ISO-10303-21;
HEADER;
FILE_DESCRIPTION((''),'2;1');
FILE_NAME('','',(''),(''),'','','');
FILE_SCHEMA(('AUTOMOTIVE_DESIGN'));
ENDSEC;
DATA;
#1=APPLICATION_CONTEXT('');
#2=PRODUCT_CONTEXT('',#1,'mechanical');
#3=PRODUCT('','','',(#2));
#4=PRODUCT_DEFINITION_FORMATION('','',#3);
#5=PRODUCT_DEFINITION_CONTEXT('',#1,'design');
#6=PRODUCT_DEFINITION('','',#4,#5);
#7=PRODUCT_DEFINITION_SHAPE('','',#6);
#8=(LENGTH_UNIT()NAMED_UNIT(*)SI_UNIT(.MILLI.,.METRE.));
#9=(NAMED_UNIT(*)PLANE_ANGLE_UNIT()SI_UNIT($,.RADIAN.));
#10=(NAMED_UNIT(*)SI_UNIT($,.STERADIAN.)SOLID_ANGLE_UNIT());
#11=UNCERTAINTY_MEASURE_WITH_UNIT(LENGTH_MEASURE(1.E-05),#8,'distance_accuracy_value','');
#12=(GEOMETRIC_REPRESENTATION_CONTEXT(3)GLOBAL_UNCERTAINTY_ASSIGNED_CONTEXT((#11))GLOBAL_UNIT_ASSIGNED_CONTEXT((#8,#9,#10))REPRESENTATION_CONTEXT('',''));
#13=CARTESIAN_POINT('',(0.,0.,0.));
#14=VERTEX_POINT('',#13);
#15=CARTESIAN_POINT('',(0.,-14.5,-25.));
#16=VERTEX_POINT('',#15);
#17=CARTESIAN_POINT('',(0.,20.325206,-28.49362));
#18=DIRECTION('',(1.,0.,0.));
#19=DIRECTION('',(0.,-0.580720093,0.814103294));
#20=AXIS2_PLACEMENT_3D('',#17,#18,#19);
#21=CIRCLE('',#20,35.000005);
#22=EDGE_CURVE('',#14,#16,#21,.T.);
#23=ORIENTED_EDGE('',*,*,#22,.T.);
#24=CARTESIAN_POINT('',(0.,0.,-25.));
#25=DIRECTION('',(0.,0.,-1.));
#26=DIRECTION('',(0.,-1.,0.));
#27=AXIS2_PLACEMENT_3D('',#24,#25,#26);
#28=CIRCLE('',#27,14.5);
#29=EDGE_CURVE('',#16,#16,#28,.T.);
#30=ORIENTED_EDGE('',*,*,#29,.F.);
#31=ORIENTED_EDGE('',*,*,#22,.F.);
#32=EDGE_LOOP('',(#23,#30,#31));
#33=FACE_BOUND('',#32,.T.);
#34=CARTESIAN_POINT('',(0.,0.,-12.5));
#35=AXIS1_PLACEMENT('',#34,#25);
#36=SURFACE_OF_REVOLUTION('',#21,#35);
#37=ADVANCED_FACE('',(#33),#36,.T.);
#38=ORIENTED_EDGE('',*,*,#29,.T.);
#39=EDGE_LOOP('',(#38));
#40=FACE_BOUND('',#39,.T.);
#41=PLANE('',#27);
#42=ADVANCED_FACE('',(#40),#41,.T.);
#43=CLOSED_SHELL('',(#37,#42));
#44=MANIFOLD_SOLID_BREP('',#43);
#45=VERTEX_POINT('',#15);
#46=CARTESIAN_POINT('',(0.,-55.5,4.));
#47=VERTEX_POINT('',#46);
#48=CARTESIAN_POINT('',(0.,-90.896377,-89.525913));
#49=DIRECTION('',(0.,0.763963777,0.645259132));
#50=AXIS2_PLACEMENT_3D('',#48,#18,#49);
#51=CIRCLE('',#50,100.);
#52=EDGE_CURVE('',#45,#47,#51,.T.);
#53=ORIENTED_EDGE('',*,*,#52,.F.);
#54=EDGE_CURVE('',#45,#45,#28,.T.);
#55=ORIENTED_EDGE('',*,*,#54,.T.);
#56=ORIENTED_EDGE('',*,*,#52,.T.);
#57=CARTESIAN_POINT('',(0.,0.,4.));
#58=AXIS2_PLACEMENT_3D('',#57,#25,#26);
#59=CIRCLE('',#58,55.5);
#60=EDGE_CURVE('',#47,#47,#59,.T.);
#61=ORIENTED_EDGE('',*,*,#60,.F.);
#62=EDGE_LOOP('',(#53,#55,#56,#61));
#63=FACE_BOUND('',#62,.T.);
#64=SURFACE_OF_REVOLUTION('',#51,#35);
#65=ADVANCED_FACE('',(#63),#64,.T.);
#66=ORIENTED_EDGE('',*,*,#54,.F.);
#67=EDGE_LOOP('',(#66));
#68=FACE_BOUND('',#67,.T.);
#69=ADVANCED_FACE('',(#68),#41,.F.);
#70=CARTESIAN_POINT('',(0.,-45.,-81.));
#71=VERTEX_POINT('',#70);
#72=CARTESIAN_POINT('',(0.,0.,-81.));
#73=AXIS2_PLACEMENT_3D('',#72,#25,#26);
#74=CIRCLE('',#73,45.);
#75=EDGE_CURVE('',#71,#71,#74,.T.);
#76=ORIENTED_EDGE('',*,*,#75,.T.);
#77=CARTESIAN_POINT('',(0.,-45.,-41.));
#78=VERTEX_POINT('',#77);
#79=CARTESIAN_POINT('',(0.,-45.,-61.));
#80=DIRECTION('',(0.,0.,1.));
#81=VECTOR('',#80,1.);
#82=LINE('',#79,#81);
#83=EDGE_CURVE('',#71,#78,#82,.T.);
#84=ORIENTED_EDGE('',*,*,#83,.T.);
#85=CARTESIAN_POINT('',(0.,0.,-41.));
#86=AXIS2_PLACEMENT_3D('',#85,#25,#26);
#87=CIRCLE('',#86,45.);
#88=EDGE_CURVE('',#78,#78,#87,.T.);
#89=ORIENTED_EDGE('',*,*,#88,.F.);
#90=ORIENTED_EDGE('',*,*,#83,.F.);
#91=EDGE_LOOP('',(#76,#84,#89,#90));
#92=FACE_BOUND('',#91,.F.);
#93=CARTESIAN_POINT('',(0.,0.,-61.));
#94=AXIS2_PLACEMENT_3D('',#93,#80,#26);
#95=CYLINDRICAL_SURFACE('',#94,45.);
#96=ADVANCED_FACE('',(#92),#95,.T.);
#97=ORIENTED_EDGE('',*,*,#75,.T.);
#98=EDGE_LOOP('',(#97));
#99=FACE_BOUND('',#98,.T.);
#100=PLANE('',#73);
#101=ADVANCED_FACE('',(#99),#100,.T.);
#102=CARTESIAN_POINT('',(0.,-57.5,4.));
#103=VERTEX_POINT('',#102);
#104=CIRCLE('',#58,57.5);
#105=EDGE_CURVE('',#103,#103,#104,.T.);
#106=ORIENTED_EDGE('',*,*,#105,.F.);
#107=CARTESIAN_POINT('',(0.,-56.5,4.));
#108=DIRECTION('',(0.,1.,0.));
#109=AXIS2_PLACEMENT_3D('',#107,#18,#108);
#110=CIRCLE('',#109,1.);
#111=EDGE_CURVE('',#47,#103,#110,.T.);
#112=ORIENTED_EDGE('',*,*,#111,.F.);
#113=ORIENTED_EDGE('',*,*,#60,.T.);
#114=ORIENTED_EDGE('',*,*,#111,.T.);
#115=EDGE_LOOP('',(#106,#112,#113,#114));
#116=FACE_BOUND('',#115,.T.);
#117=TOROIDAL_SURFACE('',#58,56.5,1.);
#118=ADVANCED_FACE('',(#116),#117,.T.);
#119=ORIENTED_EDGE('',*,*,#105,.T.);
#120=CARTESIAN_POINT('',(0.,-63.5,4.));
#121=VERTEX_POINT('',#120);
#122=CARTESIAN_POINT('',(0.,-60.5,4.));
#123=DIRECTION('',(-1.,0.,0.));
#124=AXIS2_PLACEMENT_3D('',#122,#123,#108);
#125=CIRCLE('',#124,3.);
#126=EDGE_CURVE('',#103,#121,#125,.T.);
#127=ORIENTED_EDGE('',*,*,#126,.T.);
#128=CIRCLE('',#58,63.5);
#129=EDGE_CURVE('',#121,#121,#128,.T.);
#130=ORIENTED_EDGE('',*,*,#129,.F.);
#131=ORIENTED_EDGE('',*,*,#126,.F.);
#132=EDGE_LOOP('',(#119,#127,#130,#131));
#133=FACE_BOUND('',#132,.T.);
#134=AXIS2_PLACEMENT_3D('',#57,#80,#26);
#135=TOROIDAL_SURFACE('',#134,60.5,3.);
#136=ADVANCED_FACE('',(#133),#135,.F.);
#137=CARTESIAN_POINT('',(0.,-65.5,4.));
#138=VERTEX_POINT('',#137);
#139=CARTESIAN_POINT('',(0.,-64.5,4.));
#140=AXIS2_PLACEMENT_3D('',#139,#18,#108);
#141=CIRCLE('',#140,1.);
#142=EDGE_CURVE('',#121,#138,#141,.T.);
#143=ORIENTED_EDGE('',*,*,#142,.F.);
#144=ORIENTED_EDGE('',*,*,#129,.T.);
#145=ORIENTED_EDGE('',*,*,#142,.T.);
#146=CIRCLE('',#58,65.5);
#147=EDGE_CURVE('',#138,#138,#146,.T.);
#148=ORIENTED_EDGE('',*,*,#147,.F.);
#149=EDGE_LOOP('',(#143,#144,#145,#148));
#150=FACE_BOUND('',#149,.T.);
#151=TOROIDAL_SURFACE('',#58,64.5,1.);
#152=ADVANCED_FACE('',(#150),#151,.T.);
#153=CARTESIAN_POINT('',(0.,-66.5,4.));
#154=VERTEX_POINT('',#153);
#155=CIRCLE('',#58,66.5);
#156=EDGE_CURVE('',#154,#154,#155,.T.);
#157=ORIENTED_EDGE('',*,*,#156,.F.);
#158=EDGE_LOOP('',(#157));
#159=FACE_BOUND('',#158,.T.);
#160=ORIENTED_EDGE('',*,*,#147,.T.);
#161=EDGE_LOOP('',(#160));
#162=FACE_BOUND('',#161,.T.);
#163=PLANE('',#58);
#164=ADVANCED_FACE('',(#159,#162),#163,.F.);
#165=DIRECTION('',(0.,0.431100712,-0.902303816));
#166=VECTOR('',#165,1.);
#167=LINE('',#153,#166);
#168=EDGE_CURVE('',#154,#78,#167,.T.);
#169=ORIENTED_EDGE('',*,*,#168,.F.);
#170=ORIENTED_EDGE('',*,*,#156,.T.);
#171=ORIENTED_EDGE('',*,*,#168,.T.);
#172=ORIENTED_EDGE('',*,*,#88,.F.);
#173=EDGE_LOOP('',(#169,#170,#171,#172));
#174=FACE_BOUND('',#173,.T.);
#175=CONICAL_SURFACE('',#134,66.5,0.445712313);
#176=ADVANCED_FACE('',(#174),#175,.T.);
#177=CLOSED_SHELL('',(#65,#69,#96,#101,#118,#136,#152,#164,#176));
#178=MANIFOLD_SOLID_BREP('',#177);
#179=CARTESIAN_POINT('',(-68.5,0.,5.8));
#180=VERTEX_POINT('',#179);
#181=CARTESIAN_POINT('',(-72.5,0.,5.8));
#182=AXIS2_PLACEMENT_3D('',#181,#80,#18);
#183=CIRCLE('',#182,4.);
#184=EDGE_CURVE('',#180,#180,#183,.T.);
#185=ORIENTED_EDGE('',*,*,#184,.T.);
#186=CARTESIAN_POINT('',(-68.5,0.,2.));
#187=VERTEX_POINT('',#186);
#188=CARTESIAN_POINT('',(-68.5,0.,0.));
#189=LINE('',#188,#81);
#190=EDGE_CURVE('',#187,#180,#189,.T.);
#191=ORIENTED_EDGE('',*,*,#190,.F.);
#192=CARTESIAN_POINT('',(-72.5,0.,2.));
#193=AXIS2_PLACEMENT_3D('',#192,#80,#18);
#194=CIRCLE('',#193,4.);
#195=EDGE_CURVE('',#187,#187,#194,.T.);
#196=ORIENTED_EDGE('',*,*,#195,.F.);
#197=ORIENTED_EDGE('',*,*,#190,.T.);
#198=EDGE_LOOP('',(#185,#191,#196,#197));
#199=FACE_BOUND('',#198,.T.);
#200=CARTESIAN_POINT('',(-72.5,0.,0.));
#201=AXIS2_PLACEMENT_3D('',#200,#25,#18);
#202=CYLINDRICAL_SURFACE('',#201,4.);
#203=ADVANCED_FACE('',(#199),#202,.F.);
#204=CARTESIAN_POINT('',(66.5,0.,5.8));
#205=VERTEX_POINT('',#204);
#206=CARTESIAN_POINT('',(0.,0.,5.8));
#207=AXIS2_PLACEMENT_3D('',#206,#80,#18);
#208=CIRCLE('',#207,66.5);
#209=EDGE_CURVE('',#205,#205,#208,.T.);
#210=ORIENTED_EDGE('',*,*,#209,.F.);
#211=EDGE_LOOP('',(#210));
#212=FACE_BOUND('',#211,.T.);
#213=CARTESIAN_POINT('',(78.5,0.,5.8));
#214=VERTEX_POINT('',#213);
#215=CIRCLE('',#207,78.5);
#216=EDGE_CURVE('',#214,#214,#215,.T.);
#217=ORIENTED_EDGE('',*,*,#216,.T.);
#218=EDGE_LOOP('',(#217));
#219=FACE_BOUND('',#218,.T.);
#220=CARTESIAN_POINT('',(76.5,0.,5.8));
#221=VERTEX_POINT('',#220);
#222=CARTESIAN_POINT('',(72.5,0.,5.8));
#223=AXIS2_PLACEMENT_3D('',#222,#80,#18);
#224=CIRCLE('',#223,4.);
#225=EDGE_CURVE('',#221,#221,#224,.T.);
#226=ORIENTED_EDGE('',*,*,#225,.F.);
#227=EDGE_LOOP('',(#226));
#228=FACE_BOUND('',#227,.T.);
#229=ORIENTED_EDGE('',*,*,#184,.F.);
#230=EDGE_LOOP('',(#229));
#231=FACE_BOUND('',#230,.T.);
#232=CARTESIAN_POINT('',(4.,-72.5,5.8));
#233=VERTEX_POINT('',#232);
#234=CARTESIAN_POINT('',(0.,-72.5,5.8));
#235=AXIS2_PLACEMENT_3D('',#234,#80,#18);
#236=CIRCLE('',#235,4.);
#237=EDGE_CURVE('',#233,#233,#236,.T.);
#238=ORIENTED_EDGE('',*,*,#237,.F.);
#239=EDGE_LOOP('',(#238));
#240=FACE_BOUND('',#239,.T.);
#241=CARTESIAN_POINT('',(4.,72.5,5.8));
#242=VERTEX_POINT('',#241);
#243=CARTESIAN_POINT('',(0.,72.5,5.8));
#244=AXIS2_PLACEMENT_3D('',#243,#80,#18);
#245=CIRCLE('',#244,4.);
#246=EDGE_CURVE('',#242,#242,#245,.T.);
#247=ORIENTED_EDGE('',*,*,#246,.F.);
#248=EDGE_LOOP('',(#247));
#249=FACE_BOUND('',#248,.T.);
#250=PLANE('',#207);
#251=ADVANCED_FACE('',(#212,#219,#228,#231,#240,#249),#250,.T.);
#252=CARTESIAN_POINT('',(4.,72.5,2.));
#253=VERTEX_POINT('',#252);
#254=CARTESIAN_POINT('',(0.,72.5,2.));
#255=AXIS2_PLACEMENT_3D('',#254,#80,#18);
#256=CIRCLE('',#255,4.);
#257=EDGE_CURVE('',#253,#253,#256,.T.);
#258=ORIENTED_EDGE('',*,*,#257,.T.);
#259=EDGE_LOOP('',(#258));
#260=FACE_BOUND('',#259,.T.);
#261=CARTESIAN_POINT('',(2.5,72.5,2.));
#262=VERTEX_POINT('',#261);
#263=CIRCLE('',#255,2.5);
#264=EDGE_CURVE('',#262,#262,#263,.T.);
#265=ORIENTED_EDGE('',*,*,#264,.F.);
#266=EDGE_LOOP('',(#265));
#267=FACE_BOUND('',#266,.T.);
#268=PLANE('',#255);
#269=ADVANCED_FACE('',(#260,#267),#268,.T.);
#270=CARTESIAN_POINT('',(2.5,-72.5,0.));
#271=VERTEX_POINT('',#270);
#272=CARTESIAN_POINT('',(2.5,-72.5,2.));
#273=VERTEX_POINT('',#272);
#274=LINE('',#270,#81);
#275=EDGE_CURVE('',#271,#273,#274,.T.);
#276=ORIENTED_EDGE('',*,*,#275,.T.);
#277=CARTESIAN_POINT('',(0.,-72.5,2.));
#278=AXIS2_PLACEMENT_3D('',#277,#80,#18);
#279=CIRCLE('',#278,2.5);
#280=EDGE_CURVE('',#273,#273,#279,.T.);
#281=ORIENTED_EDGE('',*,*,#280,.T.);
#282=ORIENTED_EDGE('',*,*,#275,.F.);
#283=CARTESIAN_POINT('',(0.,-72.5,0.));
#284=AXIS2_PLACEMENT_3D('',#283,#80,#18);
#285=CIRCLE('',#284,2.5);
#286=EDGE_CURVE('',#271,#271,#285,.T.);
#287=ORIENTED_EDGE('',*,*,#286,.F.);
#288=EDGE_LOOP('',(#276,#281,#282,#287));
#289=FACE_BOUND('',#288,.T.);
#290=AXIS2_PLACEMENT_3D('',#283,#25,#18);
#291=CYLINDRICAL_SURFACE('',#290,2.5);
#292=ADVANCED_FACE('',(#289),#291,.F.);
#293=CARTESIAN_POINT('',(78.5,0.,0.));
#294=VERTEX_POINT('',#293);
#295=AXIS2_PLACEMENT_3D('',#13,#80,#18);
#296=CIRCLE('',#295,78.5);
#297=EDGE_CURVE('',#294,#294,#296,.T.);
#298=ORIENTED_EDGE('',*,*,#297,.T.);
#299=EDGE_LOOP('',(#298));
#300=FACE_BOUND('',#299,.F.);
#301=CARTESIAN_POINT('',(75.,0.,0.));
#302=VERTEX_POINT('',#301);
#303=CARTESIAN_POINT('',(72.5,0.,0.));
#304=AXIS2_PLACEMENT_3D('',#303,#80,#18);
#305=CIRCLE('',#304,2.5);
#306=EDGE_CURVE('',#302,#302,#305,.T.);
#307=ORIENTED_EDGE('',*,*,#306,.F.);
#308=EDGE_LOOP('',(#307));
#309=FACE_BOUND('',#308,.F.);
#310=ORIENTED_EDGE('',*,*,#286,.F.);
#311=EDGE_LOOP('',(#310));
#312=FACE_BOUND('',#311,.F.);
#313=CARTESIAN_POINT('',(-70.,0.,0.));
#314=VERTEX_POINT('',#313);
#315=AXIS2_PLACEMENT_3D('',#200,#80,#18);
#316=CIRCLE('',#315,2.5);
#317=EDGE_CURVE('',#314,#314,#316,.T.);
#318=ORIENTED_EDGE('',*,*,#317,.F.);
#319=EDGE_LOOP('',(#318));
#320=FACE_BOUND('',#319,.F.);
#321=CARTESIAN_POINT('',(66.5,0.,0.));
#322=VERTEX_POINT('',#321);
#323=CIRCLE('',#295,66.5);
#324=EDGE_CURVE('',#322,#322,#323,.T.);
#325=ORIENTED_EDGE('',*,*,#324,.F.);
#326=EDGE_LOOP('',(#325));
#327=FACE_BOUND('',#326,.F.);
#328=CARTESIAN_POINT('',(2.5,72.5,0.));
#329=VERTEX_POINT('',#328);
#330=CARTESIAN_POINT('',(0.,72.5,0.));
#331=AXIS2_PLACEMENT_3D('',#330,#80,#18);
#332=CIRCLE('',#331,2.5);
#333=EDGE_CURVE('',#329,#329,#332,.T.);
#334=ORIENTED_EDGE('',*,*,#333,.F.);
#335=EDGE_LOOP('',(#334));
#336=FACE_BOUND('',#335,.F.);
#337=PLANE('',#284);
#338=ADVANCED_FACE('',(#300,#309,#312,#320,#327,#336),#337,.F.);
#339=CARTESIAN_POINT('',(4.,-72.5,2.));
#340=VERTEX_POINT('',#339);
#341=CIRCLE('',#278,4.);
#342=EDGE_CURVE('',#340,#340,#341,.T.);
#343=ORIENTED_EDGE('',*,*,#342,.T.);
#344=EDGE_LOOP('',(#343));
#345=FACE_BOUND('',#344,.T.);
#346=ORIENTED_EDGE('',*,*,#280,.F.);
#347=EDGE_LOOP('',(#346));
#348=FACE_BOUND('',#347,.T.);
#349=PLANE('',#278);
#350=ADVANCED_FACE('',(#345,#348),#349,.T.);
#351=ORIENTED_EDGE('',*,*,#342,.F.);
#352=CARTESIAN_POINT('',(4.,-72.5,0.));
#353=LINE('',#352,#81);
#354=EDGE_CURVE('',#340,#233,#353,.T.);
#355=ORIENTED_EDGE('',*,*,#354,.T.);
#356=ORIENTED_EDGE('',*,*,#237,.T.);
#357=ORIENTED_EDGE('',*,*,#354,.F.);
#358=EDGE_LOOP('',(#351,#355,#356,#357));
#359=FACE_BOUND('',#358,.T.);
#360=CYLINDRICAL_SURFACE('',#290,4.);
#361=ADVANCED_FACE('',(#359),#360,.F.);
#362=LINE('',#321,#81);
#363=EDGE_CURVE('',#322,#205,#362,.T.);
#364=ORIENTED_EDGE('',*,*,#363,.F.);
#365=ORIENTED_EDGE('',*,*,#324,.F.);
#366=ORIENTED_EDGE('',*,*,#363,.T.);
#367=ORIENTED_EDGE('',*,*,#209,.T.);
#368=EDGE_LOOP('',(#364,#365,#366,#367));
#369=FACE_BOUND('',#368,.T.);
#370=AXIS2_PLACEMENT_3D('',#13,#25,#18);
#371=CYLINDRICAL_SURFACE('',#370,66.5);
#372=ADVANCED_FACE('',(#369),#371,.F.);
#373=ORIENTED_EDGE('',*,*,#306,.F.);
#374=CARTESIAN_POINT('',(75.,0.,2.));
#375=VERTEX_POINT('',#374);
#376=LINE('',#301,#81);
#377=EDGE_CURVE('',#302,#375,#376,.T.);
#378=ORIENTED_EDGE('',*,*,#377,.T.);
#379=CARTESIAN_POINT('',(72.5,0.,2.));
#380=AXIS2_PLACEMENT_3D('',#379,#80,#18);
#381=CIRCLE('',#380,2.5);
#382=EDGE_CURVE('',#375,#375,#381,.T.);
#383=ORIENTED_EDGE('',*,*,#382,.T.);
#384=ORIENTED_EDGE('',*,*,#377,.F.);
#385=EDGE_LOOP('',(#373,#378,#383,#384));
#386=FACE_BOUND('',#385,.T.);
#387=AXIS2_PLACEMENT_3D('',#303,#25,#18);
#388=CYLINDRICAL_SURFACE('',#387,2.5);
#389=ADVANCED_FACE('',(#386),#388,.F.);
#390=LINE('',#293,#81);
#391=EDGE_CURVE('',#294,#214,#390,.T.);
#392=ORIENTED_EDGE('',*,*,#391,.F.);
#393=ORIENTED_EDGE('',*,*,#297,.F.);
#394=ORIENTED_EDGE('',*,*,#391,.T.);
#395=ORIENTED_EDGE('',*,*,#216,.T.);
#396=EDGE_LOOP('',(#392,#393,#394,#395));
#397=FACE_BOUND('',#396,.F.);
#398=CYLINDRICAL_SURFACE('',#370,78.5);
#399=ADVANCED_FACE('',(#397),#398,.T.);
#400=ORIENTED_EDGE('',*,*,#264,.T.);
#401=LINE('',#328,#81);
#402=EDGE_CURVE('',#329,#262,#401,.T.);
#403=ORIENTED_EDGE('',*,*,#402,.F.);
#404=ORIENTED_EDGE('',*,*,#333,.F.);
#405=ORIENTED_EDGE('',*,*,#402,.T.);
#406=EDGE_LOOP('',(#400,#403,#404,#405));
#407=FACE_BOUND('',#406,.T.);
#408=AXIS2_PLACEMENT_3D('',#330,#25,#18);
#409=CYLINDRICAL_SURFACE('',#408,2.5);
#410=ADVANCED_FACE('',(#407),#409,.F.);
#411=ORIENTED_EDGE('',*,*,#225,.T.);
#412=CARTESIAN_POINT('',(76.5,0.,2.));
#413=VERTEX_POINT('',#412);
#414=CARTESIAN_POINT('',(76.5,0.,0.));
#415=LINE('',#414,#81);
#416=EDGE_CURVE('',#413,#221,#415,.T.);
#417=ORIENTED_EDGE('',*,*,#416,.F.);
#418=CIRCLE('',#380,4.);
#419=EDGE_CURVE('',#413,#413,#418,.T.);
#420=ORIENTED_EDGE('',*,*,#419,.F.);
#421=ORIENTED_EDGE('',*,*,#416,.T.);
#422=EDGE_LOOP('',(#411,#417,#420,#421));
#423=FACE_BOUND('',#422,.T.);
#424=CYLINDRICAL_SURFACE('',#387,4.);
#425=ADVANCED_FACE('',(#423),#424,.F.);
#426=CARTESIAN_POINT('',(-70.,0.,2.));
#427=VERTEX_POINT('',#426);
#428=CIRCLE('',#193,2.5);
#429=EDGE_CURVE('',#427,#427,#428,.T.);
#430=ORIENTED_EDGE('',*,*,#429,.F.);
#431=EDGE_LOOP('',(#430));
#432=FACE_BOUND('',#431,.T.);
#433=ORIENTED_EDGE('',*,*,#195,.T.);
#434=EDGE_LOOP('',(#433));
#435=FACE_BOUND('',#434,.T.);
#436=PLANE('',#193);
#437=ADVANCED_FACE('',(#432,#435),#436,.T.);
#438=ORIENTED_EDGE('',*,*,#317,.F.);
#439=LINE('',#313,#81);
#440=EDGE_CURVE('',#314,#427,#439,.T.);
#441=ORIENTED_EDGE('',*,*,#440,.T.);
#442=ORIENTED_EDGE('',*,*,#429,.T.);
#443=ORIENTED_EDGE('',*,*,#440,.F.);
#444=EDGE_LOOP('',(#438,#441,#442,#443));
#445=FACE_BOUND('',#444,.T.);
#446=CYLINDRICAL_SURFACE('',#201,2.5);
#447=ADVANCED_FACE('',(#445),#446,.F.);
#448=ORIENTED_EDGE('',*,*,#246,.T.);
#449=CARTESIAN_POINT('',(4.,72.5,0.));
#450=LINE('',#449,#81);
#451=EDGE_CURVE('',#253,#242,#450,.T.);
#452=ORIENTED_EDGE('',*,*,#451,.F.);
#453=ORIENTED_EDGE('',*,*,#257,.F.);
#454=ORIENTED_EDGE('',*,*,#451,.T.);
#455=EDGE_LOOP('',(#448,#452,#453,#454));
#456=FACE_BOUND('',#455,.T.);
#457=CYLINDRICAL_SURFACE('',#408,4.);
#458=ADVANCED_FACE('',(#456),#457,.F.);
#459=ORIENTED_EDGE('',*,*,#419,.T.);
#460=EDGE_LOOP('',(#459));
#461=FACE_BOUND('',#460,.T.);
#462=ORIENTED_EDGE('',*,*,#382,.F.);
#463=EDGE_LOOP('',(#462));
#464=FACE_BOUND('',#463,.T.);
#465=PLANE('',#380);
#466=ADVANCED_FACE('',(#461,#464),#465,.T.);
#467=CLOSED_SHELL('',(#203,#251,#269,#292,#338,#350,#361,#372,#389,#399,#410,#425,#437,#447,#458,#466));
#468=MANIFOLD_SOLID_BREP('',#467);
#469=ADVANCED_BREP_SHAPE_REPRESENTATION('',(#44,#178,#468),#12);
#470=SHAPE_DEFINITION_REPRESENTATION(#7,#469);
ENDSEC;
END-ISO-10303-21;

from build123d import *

# Parameters (mm, degrees)
F0_R     = 78.5
F0_R_2   = 4
F0_R_3   = 66.5
F1_DEPTH = 5.8
F0_R_4   = 2.5
F2_DEPTH = 2
F3_W     = 45
F3_H     = 40


with BuildPart() as f1:
    # F0 (on Top) → F1 (new body)
    with BuildSketch(Plane.XY):
        Circle(F0_R)
        with Locations((0, -72.5)):
            Circle(F0_R_2, mode=Mode.SUBTRACT)
        with Locations((-72.5, 0)):
            Circle(F0_R_2, mode=Mode.SUBTRACT)
        Circle(F0_R_3, mode=Mode.SUBTRACT)
        with Locations((72.5, 0)):
            Circle(F0_R_2, mode=Mode.SUBTRACT)
        with Locations((0, 72.5)):
            Circle(F0_R_2, mode=Mode.SUBTRACT)
    extrude(amount=F1_DEPTH)

    # F0 (on Top) → F2 (join)
    with BuildSketch(Plane.XY):
        with Locations((0, -72.5)):
            Circle(F0_R_2)
        with Locations((0, -72.5)):
            Circle(F0_R_4, mode=Mode.SUBTRACT)
        with Locations((-72.5, 0)):
            Circle(F0_R_2)
        with Locations((-72.5, 0)):
            Circle(F0_R_4, mode=Mode.SUBTRACT)
        with Locations((0, 72.5)):
            Circle(F0_R_2)
        with Locations((0, 72.5)):
            Circle(F0_R_4, mode=Mode.SUBTRACT)
        with Locations((72.5, 0)):
            Circle(F0_R_2)
        with Locations((72.5, 0)):
            Circle(F0_R_4, mode=Mode.SUBTRACT)
    extrude(amount=F2_DEPTH)


with BuildPart() as f4:
    # F3 (on Right) → F4 (revolve)
    with BuildSketch(Plane.YZ):
        with BuildLine():
            Line((0, -25), (-14.5, -25))
            ThreePointArc((-14.5, -25), (-33.149906, -7.884349), (-55.5, 4))
            ThreePointArc((-55.5, 4), (-56.5, 5), (-57.5, 4))
            ThreePointArc((-57.5, 4), (-60.5, 1), (-63.5, 4))
            ThreePointArc((-63.5, 4), (-64.5, 5), (-65.5, 4))
            Line((-65.5, 4), (-66.5, 4))
            Line((-66.5, 4), (-45, -41))
            Line((-45, -41), (0, -41))
            Line((0, -41), (0, -25))
        make_face()
        with Locations((-22.5, -61)):
            Rectangle(F3_W, F3_H)
    revolve(axis=Axis((0, 0, -12.5), (0, 0, -1)))


with BuildPart() as f5:
    # F3 (on Right) → F5 (revolve)
    with BuildSketch(Plane.YZ):
        with BuildLine():
            ThreePointArc((0, 0), (-9.95089, -10.933484), (-14.5, -25))
            Line((-14.5, -25), (0, -25))
            Line((0, -25), (0, 0))
        make_face()
    revolve(axis=Axis((0, 0, -12.5), (0, 0, -1)))


solid = Compound([f1.part, f4.part, f5.part])
